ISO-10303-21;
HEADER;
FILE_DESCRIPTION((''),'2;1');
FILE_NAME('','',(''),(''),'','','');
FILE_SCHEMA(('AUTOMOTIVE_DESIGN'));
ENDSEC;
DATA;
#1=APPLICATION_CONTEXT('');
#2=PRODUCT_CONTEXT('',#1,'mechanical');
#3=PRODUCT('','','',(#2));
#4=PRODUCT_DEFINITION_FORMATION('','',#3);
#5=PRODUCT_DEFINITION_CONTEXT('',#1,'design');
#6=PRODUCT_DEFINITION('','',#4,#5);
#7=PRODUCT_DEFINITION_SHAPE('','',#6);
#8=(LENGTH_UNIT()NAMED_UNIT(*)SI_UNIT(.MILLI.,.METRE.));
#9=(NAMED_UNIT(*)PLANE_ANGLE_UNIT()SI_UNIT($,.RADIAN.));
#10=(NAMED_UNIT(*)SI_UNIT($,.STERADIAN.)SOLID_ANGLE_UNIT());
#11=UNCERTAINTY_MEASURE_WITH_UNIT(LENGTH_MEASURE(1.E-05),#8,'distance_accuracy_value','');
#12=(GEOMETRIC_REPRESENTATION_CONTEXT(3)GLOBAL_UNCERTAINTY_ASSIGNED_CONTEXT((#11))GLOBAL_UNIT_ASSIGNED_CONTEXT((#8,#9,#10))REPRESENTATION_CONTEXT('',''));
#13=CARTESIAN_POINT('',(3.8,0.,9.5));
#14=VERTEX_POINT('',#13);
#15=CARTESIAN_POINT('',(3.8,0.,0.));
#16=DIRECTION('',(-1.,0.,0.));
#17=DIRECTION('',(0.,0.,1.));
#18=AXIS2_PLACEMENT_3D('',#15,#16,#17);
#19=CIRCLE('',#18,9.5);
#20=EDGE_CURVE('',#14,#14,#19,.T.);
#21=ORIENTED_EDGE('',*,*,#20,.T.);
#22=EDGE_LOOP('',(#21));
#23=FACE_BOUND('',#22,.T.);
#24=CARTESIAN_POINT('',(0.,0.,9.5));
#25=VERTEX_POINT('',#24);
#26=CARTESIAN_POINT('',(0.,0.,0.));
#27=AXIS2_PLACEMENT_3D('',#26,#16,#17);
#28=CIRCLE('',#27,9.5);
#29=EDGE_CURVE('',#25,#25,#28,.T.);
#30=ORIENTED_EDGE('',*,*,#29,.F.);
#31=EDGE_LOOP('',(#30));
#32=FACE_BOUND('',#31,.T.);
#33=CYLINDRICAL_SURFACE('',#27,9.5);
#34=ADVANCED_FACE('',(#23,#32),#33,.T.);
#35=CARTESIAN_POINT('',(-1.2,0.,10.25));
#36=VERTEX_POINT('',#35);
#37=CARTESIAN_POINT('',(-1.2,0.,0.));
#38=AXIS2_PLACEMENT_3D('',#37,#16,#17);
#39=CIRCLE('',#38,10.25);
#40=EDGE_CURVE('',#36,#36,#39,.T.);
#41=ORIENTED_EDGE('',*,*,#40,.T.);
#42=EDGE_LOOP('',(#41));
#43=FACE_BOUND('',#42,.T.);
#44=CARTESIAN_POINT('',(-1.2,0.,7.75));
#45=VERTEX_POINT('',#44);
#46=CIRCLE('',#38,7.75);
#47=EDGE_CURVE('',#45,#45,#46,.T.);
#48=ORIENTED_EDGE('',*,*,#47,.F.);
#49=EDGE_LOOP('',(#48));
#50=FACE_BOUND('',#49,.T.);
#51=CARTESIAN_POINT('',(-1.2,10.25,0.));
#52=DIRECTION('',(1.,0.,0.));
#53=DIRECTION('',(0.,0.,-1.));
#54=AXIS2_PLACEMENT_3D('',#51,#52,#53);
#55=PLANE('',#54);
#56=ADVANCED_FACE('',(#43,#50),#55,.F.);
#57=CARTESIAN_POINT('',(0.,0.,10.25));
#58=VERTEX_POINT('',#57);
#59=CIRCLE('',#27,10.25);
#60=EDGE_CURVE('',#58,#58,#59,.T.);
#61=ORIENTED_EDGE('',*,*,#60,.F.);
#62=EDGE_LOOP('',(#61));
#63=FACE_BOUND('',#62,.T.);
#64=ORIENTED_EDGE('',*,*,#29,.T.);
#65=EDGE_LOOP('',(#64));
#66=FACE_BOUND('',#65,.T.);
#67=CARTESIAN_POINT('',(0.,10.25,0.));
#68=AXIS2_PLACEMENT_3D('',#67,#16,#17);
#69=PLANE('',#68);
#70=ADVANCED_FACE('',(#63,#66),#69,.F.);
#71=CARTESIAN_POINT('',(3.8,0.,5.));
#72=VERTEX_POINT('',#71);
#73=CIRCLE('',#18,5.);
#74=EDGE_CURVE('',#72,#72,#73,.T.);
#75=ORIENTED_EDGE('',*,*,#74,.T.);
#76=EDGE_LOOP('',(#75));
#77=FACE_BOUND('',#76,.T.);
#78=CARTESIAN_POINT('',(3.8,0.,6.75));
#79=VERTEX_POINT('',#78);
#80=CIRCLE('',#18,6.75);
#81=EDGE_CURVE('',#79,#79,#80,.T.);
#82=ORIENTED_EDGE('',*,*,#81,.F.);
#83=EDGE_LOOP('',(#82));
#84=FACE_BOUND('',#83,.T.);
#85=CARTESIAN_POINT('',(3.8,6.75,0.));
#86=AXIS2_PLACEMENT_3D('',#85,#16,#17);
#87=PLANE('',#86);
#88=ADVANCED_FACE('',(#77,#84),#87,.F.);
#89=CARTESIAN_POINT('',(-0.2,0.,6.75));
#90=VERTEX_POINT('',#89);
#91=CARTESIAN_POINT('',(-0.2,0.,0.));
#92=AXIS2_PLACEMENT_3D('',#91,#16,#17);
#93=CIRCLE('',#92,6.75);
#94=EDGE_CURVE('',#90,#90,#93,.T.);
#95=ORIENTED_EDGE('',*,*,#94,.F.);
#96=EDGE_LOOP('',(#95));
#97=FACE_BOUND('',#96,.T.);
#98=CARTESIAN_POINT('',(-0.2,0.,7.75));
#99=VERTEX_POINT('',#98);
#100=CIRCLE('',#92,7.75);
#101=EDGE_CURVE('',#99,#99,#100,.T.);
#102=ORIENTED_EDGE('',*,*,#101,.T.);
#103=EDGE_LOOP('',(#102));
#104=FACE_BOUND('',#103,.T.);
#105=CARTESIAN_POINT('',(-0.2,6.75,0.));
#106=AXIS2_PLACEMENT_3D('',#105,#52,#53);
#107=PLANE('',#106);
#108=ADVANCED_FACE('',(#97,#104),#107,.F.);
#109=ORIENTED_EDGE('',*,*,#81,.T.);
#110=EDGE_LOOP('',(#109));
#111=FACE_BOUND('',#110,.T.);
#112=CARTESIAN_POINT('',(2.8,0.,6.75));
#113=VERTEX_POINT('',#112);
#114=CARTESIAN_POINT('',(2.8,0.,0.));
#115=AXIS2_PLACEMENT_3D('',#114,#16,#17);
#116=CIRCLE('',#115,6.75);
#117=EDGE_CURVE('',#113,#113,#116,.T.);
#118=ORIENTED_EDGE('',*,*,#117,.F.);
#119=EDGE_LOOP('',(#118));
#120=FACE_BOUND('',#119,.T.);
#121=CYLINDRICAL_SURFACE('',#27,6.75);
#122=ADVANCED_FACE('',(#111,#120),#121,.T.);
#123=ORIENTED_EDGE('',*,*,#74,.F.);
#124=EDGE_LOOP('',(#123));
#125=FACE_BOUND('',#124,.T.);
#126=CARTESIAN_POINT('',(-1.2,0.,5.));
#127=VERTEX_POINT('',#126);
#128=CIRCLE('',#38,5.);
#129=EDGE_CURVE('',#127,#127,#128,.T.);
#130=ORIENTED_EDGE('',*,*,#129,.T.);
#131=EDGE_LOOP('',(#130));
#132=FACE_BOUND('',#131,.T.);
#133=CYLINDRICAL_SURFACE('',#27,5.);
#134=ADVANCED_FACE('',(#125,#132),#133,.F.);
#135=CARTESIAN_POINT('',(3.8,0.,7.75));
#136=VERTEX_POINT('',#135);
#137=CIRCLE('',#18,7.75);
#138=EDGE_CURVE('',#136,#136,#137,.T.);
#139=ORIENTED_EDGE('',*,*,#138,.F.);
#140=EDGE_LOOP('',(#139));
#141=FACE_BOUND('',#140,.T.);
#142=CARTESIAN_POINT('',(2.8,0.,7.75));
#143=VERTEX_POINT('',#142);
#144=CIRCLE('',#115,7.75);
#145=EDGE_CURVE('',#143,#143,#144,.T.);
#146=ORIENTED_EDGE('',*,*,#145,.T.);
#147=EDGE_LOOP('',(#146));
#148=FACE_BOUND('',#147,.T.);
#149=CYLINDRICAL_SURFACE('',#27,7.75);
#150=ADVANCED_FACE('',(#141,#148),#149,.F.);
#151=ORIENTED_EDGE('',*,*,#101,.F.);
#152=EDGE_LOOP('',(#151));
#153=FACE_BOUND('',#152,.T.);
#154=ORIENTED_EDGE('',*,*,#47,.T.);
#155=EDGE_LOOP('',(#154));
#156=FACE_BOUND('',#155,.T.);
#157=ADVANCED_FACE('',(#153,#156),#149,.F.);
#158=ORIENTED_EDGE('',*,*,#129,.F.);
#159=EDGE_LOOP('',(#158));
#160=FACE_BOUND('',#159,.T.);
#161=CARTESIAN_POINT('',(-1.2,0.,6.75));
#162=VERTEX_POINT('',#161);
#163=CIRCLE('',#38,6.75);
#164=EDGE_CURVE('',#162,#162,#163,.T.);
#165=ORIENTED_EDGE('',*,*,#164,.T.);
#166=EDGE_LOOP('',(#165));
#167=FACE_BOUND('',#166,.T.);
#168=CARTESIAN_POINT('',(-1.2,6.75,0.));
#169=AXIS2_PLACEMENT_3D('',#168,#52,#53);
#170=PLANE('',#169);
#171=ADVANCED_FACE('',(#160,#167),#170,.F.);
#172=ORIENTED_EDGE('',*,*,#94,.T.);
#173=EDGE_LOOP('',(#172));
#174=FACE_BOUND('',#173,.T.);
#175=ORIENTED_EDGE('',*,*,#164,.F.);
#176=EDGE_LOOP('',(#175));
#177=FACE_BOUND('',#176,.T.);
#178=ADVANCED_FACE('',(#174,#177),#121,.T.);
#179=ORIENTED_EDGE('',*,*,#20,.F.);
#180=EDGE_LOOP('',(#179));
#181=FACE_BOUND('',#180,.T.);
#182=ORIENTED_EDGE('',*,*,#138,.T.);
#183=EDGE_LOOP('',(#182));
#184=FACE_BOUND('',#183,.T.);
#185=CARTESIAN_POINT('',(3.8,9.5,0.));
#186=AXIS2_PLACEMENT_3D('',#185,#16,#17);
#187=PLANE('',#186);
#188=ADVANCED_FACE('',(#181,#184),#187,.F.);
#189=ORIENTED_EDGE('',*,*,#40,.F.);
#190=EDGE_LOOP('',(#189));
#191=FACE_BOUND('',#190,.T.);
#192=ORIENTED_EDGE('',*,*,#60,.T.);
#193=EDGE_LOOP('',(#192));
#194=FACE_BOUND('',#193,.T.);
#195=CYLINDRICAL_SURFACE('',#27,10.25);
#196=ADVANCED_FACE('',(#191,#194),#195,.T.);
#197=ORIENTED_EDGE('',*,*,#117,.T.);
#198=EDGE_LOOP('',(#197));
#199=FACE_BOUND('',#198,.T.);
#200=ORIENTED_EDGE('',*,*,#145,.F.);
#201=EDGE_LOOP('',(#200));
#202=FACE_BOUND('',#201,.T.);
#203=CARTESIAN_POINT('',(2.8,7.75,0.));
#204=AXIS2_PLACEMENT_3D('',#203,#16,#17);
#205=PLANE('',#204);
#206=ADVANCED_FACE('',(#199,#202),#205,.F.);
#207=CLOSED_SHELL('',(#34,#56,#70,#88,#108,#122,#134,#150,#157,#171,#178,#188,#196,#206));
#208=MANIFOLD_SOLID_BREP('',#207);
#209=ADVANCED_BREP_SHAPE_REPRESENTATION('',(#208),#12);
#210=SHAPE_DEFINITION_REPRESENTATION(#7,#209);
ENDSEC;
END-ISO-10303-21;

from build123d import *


with BuildPart() as part:
    # Sketch2 → Revolve1 (revolve)
    with BuildSketch(Plane.XY):
        Polygon((-1.2, 10.25), (0, 10.25), (0, 9.5), (3.8, 9.5), (3.8, 7.75), (2.8, 7.75), (2.8, 6.75), (3.8, 6.75), (3.8, 5), (-1.2, 5), (-1.2, 6.75), (-0.2, 6.75), (-0.2, 7.75), (-1.2, 7.75), align=None)
    revolve(axis=Axis((0, 0, 0), (1, 0, 0)))


solid = part.part
